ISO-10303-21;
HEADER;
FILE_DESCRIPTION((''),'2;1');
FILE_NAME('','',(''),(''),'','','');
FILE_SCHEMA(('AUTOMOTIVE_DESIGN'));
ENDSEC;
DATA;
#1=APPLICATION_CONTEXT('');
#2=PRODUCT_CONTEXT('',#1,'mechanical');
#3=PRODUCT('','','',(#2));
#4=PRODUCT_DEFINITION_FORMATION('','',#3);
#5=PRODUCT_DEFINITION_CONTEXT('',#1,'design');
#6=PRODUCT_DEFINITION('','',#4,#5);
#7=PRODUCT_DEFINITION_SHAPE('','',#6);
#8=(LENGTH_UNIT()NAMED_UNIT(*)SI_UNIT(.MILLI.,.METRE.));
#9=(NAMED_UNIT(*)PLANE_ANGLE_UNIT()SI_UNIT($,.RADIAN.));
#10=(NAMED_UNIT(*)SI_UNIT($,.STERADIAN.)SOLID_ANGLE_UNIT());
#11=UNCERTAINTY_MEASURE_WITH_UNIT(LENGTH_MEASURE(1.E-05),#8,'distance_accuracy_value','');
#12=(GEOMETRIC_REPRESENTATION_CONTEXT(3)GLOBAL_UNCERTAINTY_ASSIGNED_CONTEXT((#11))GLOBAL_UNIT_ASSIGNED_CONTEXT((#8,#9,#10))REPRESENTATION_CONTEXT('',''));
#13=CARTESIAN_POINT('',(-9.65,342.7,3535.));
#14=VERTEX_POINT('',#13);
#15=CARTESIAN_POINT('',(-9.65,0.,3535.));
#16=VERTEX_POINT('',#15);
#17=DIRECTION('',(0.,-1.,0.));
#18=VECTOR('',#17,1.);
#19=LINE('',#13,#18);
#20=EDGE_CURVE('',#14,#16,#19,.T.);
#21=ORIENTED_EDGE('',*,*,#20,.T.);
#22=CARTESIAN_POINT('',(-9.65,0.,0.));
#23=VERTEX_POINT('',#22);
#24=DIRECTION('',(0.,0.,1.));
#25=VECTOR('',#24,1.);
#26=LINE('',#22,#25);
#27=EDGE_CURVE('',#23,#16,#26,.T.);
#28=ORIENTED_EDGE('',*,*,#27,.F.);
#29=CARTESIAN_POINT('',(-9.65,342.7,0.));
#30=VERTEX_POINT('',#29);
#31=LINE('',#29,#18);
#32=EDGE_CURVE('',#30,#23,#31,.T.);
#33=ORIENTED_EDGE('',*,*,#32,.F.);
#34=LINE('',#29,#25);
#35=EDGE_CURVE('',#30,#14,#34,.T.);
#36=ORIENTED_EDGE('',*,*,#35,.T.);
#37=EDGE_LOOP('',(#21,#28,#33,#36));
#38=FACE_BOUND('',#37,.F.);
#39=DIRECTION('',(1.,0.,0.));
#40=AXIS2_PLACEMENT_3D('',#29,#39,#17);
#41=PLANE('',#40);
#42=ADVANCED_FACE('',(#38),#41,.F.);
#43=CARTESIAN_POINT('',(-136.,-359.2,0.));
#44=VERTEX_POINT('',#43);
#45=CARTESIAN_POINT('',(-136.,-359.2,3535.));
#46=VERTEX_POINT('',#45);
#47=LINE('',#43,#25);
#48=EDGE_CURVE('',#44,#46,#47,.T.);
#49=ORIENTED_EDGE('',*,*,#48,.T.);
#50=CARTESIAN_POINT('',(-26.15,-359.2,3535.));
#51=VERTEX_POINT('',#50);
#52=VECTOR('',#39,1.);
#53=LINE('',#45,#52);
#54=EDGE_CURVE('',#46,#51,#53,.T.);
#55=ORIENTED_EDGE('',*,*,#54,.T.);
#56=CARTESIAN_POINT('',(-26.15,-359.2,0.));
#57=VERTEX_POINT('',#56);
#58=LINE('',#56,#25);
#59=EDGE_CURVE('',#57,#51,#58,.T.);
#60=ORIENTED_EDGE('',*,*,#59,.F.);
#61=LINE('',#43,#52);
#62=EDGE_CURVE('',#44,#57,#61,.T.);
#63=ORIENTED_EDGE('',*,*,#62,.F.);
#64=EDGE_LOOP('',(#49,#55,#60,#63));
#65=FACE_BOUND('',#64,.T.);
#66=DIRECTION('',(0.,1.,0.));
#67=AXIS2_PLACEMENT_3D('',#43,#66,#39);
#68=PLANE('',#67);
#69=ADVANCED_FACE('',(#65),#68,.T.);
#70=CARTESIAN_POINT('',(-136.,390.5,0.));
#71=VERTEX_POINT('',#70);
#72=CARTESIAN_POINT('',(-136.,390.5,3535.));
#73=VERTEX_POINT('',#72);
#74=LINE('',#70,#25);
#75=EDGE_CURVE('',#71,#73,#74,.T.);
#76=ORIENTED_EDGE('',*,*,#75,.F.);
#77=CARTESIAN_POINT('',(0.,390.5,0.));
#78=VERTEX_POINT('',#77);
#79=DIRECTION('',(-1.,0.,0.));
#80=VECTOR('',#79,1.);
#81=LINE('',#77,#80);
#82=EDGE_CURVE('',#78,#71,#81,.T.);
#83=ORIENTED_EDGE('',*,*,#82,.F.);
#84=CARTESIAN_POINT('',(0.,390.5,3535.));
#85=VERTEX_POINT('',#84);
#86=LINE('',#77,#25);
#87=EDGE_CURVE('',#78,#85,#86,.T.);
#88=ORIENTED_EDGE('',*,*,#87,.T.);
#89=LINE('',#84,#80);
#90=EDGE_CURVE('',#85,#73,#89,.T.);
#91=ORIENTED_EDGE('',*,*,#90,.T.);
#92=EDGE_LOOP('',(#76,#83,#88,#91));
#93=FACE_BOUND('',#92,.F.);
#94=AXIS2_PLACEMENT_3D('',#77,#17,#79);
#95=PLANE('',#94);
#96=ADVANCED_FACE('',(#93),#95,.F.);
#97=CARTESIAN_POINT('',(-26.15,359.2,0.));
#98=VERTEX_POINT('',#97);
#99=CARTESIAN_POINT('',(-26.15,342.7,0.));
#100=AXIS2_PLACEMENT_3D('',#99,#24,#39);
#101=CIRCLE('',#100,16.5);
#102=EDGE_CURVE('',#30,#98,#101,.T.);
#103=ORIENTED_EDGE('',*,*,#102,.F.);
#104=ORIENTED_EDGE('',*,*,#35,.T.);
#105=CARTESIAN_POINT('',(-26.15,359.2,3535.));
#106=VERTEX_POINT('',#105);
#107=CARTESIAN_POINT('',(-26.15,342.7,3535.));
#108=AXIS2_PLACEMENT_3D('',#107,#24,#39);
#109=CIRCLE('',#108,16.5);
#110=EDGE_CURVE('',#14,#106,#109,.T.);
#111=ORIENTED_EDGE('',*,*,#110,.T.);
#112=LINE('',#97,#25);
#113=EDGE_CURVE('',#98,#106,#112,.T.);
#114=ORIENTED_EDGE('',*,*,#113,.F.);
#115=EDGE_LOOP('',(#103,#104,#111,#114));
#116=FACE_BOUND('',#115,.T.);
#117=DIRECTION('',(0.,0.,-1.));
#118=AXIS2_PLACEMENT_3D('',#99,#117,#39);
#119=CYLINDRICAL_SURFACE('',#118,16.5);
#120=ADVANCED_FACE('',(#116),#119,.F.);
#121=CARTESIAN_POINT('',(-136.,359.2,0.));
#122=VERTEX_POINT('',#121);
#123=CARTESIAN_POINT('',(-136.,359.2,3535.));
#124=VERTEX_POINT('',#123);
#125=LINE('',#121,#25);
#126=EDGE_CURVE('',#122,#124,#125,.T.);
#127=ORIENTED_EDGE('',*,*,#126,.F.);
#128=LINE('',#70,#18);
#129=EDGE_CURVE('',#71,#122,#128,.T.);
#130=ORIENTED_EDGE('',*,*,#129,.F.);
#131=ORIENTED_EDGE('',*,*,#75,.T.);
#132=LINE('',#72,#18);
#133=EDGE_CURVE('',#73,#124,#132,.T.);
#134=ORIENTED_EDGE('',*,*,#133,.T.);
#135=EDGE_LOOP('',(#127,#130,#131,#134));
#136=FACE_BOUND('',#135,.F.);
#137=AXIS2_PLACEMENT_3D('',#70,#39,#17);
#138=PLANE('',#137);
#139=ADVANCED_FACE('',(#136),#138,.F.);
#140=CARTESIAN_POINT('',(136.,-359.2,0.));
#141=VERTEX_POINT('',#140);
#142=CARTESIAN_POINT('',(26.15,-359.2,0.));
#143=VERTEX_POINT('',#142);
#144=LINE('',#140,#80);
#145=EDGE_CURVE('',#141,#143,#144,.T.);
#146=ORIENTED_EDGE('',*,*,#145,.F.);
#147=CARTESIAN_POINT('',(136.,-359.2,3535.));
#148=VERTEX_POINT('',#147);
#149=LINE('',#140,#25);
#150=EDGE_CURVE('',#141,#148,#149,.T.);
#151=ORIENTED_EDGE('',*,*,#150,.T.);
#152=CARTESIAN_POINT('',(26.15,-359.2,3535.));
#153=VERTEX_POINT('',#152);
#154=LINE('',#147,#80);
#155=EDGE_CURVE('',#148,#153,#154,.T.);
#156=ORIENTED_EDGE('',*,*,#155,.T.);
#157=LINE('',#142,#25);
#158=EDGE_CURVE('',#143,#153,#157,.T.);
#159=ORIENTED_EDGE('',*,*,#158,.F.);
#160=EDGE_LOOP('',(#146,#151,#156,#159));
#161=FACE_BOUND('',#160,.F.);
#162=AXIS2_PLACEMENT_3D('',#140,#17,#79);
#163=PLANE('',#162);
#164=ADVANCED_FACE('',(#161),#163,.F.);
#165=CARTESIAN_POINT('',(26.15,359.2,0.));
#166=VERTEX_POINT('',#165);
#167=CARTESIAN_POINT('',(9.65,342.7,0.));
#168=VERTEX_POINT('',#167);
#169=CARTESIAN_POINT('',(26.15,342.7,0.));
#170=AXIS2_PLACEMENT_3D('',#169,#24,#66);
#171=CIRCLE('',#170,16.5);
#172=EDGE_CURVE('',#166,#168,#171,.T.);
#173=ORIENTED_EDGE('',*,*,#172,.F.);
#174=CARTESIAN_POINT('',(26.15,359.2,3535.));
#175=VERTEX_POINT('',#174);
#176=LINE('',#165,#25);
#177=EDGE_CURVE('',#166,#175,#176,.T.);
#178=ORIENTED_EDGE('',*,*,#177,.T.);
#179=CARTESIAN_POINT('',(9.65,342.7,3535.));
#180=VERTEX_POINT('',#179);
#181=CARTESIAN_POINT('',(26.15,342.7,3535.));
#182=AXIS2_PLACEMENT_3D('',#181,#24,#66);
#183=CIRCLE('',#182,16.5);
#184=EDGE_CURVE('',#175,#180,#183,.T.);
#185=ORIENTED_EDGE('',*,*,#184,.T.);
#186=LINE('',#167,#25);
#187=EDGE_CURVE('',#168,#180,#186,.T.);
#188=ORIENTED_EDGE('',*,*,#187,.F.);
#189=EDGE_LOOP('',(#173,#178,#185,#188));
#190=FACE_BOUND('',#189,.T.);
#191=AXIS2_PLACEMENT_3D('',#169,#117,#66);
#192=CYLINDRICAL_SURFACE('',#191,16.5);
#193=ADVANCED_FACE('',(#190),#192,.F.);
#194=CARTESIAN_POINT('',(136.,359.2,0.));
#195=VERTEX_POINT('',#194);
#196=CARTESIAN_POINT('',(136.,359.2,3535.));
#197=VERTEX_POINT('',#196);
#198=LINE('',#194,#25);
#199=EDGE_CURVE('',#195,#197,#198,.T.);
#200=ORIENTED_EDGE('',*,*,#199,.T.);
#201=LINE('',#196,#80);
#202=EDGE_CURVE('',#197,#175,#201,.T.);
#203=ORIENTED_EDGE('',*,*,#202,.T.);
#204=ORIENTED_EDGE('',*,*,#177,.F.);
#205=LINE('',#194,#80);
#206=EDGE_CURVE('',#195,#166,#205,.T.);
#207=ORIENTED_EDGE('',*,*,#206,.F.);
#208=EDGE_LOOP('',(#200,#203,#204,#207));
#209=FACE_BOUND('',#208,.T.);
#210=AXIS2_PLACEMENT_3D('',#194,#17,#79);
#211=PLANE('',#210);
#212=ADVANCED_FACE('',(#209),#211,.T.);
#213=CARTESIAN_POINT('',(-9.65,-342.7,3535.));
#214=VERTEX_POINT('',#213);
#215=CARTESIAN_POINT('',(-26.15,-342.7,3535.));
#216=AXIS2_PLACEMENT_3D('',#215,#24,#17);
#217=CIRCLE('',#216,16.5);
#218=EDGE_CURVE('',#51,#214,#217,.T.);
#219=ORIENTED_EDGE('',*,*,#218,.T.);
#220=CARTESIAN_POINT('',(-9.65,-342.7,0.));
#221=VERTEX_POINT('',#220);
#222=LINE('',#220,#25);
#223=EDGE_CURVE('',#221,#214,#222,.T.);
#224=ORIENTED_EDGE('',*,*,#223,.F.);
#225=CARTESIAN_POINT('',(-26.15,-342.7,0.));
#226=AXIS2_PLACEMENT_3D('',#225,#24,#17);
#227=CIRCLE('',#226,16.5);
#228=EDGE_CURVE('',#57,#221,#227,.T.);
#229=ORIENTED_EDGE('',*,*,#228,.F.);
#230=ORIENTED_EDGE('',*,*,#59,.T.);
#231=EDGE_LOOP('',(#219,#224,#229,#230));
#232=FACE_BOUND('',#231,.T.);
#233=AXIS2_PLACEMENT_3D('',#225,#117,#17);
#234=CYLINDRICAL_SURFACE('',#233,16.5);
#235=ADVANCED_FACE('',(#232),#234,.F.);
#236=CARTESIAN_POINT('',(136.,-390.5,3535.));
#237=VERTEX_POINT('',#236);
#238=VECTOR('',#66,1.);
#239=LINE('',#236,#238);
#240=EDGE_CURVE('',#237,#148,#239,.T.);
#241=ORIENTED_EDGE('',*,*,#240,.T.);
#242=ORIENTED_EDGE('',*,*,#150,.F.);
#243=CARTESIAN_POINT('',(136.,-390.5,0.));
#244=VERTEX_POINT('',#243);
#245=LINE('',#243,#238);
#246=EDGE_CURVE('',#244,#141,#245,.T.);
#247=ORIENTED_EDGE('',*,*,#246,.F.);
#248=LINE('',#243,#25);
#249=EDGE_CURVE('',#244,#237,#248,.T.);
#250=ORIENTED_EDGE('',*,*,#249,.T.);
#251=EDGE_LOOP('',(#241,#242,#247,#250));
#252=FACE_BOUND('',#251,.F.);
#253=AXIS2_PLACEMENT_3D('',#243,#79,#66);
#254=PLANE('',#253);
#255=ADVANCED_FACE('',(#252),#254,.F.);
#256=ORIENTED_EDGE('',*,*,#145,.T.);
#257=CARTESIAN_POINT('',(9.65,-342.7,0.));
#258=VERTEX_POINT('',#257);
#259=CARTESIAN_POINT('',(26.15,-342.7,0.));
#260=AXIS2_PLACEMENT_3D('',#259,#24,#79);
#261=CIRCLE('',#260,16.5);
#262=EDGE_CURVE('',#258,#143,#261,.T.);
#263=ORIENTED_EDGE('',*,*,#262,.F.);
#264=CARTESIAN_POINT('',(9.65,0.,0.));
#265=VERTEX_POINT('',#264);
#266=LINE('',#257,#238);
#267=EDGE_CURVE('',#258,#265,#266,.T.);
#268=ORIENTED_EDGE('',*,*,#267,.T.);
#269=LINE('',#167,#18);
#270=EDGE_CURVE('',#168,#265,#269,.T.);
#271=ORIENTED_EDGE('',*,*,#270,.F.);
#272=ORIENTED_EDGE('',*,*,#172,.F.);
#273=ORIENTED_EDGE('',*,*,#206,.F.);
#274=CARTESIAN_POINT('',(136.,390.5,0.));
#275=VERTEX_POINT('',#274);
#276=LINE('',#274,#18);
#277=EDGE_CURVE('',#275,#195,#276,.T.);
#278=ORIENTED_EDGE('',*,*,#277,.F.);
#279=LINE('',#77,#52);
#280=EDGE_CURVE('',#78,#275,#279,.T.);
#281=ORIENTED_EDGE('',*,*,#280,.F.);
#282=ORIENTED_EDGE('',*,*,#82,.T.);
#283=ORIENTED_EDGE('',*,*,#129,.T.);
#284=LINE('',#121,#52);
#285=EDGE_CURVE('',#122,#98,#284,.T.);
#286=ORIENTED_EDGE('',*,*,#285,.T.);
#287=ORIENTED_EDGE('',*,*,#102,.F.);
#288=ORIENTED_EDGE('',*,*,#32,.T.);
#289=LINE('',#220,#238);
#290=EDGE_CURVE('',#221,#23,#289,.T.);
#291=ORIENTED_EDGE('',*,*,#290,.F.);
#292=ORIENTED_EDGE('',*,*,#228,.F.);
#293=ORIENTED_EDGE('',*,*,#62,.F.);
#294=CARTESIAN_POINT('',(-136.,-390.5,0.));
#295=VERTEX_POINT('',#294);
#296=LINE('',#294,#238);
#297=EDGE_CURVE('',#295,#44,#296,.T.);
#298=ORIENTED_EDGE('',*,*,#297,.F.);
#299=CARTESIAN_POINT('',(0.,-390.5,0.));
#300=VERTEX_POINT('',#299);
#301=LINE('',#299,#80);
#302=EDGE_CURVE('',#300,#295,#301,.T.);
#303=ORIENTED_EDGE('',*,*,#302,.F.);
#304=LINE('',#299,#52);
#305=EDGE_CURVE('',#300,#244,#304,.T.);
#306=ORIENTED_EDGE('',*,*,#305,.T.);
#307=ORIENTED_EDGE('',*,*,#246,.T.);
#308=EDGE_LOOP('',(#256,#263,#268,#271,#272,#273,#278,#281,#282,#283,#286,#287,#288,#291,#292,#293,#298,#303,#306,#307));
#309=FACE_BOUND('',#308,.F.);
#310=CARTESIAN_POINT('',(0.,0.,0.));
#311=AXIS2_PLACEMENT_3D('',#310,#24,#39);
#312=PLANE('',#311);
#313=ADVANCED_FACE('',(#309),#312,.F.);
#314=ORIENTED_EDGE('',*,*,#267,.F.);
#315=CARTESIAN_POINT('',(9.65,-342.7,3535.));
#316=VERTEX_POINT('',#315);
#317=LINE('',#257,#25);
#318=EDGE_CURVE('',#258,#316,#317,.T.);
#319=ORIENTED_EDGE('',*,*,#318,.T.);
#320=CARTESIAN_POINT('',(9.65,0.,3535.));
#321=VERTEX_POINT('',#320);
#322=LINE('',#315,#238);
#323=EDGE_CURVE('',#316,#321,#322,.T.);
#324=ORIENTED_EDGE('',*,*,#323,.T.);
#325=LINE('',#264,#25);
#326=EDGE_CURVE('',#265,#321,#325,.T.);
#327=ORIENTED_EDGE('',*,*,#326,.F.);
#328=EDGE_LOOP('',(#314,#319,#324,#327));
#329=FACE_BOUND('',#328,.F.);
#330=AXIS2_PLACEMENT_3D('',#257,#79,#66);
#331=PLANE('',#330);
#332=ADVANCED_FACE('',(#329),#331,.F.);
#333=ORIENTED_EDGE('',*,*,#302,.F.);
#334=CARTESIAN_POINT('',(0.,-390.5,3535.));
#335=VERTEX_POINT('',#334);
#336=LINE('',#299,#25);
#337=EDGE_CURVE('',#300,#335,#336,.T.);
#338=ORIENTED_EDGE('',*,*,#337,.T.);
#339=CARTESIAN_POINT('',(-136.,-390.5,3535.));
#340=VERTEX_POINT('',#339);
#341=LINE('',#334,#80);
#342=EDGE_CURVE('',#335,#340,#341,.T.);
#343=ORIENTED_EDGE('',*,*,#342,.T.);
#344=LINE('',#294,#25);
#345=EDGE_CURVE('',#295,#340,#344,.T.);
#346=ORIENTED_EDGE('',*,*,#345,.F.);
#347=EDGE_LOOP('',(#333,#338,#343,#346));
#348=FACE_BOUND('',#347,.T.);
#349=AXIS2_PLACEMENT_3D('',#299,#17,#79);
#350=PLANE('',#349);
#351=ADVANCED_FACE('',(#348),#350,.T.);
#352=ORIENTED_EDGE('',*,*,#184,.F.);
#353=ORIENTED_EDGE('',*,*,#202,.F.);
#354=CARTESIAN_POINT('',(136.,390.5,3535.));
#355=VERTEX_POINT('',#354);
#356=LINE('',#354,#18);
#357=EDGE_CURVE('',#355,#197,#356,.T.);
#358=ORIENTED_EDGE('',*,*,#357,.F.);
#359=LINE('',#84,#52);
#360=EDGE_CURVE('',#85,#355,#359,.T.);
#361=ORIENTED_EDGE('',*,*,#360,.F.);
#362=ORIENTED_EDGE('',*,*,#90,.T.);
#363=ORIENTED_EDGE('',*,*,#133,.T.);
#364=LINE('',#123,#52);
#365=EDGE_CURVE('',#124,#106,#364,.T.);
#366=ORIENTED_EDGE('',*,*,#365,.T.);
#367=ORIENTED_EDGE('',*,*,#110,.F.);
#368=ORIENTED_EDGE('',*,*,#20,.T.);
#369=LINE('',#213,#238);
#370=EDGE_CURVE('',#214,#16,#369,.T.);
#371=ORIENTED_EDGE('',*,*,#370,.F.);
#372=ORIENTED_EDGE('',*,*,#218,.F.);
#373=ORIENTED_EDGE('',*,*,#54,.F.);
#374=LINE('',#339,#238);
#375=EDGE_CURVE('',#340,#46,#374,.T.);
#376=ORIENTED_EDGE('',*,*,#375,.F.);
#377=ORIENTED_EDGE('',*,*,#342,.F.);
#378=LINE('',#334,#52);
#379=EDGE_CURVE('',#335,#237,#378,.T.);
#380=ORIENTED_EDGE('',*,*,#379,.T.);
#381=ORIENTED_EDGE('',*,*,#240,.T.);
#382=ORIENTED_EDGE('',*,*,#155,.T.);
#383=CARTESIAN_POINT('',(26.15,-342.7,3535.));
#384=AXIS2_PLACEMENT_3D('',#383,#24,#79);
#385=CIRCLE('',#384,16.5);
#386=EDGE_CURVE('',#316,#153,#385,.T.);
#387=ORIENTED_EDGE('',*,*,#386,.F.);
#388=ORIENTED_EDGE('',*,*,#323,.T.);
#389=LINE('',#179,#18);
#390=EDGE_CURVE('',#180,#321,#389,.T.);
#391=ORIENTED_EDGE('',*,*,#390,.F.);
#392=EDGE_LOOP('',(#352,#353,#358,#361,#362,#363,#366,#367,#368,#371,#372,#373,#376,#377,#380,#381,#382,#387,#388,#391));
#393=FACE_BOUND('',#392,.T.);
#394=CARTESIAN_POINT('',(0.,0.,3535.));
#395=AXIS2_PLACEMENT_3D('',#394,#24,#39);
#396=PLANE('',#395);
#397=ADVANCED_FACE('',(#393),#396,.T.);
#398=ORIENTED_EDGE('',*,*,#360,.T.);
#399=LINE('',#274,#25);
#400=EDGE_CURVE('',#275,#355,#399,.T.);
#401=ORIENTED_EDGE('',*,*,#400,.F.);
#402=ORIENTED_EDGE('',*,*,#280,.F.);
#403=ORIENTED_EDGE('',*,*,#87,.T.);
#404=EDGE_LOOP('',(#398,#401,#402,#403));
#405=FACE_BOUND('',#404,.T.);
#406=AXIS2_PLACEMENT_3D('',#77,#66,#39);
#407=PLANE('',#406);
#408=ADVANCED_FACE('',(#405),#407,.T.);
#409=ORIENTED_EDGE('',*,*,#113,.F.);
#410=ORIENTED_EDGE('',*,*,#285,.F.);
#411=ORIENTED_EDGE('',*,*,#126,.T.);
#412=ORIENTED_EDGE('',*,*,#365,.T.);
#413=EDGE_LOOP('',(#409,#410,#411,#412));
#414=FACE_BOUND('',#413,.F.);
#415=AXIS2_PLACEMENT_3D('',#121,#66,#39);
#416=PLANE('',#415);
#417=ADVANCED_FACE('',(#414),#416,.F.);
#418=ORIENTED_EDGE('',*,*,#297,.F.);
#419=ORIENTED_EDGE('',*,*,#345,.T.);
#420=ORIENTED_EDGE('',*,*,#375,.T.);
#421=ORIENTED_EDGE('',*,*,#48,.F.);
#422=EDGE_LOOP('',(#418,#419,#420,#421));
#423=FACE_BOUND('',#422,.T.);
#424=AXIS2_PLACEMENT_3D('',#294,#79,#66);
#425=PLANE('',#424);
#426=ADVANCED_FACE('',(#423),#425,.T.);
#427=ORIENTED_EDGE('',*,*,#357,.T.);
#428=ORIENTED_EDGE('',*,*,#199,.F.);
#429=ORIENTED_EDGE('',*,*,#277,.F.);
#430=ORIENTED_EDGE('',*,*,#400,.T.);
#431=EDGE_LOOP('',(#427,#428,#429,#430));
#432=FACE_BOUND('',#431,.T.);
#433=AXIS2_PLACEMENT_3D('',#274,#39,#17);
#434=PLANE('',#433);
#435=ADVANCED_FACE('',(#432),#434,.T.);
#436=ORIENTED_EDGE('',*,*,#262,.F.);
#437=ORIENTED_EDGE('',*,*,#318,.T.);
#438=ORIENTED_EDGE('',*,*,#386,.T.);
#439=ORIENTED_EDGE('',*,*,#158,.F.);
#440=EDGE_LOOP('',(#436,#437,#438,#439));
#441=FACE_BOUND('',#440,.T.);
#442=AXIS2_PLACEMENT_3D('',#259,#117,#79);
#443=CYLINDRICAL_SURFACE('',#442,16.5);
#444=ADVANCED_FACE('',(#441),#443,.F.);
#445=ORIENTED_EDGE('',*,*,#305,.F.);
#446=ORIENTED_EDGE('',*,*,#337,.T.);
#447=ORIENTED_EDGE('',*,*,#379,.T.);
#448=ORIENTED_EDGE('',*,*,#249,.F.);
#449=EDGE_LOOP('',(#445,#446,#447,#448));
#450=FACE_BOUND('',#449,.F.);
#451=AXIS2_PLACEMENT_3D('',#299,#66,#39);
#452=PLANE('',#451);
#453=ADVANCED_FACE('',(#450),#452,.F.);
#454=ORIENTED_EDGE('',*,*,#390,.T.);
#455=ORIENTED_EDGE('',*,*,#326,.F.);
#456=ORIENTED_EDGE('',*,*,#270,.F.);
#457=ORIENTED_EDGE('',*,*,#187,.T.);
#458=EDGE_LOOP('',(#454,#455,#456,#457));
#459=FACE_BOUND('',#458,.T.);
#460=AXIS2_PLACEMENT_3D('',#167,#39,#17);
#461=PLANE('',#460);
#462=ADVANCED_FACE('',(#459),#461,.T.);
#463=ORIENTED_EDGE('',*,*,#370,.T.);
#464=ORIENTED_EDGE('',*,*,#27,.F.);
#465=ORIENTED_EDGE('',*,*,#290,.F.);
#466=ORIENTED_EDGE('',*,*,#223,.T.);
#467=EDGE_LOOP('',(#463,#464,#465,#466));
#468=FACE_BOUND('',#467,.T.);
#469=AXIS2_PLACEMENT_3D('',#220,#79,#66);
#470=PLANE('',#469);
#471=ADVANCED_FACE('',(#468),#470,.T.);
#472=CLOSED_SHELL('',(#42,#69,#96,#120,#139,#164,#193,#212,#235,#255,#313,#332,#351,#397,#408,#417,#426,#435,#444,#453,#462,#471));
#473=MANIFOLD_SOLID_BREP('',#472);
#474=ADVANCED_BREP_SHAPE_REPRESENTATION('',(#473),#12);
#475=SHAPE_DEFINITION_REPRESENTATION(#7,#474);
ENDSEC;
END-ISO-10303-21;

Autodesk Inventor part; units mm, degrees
ref_plane "YZ Plane" through (0, 0, 0) normal (1, 0, 0) x (0, 1, 0)
ref_plane "Start plane" through (0, 0, 0) normal (0, 0, 1) x (1, 0, 0)
ref_plane "End plane" through (0, 0, 3535) normal (0, 0, 1) x (1, 0, 0)
sketch "Sketch" plane through (0, 0, 0) normal (0, 0, 1) x (1, 0, 0)
  line L0 (-136, -390.5) -> (-136, -359.2)
  line L1 (-136, -359.2) -> (-26.15, -359.2)
  line L2 (-9.65, -342.7) -> (-9.65, 0)
  line L3 (-9.65, 0) -> (0, 0) construction
  line L4 (0, 0) -> (0, -390.5) construction
  line L5 (0, -390.5) -> (-136, -390.5)
  line L6 (-60, 0) -> (80, 0) construction
  line L7 (0, -60) -> (0, 80) construction
  line L8 (136, -390.5) -> (136, -359.2)
  line L9 (136, -359.2) -> (26.15, -359.2)
  line L10 (9.65, -342.7) -> (9.65, 0)
  line L11 (9.65, 0) -> (0, 0) construction
  line L12 (0, -390.5) -> (136, -390.5)
  line L13 (-136, 390.5) -> (-136, 359.2)
  line L14 (-136, 359.2) -> (-26.15, 359.2)
  line L15 (-9.65, 342.7) -> (-9.65, 0)
  line L16 (0, 390.5) -> (-136, 390.5)
  line L17 (136, 390.5) -> (136, 359.2)
  line L18 (136, 359.2) -> (26.15, 359.2)
  line L19 (0, 390.5) -> (136, 390.5)
  line L20 (9.65, 342.7) -> (9.65, 0)
  arc A0 (-9.65, 342.7) -> (-26.15, 359.2) centre (-26.15, 342.7) ccw
  arc A1 (26.15, 359.2) -> (9.65, 342.7) centre (26.15, 342.7) ccw
  arc A2 (9.65, -342.7) -> (26.15, -359.2) centre (26.15, -342.7) ccw
  arc A3 (-26.15, -359.2) -> (-9.65, -342.7) centre (-26.15, -342.7) ccw
  line L21 (0, 108) -> (0, -88) construction
  line L22 (-88, 0) -> (108, 0) construction
  point P0 (-9.65, -359.2)
  point P1 (9.65, -359.2)
  point P2 (-9.65, 359.2)
  point P3 (9.65, 359.2)
  dimension "d1" = 390.5
  dimension "d2" = 31.3
  dimension "d3" = 136
  dimension "d4" = 9.65
  dimension "d10" = 16.5
extrude "Body" add sketch "Sketch" along normal up to surface (3535 mm away) from surface at 0
sketch "Sketch4" plane through (0, 0, 0) normal (0, 0, 1) x (1, 0, 0)
  line L0 (0, 0) -> (10, 0)
ref_plane "Work Plane3" through (0, 0, 0) normal (0, -1, 0) x (1, 0, 0)
sketch "Sketch5" plane through (0, 0, 0) normal (0, -1, 0) x (1, 0, 0)
  line L0 (-2, 0) -> (12, 0) projected
  line L1 (-2, 3535) -> (12, 3535) projected
  dimension "d14" = 3535
equation "\"d1\" = 0.5 * G_H"
equation "\"d2\" = G_T1"
equation "\"d3\" = 0.5 * G_W"
equation "\"d4\" = 0.5 * G_T"
equation "\"d10\" = G_IR"
equation "\"d5\" = G_L"
equation "\"G_W\" = 272"
equation "\"G_H\" = 781"
equation "\"G_T\" = 19.3"
equation "\"G_T1\" = 31.3"
equation "\"G_IR\" = 16.5"
equation "\"G_L\" = d14"
equation "\"G_OFFSET_START\" = 0"
equation "\"G_OFFSET_END\" = 0"
equation "\"d12\" = G_OFFSET_END + B_L"
equation "\"B_L\" = 3535"
properties part number "AS 3679-1990 - 760 UB - 244 - 3535" material "Steel, Mild"
